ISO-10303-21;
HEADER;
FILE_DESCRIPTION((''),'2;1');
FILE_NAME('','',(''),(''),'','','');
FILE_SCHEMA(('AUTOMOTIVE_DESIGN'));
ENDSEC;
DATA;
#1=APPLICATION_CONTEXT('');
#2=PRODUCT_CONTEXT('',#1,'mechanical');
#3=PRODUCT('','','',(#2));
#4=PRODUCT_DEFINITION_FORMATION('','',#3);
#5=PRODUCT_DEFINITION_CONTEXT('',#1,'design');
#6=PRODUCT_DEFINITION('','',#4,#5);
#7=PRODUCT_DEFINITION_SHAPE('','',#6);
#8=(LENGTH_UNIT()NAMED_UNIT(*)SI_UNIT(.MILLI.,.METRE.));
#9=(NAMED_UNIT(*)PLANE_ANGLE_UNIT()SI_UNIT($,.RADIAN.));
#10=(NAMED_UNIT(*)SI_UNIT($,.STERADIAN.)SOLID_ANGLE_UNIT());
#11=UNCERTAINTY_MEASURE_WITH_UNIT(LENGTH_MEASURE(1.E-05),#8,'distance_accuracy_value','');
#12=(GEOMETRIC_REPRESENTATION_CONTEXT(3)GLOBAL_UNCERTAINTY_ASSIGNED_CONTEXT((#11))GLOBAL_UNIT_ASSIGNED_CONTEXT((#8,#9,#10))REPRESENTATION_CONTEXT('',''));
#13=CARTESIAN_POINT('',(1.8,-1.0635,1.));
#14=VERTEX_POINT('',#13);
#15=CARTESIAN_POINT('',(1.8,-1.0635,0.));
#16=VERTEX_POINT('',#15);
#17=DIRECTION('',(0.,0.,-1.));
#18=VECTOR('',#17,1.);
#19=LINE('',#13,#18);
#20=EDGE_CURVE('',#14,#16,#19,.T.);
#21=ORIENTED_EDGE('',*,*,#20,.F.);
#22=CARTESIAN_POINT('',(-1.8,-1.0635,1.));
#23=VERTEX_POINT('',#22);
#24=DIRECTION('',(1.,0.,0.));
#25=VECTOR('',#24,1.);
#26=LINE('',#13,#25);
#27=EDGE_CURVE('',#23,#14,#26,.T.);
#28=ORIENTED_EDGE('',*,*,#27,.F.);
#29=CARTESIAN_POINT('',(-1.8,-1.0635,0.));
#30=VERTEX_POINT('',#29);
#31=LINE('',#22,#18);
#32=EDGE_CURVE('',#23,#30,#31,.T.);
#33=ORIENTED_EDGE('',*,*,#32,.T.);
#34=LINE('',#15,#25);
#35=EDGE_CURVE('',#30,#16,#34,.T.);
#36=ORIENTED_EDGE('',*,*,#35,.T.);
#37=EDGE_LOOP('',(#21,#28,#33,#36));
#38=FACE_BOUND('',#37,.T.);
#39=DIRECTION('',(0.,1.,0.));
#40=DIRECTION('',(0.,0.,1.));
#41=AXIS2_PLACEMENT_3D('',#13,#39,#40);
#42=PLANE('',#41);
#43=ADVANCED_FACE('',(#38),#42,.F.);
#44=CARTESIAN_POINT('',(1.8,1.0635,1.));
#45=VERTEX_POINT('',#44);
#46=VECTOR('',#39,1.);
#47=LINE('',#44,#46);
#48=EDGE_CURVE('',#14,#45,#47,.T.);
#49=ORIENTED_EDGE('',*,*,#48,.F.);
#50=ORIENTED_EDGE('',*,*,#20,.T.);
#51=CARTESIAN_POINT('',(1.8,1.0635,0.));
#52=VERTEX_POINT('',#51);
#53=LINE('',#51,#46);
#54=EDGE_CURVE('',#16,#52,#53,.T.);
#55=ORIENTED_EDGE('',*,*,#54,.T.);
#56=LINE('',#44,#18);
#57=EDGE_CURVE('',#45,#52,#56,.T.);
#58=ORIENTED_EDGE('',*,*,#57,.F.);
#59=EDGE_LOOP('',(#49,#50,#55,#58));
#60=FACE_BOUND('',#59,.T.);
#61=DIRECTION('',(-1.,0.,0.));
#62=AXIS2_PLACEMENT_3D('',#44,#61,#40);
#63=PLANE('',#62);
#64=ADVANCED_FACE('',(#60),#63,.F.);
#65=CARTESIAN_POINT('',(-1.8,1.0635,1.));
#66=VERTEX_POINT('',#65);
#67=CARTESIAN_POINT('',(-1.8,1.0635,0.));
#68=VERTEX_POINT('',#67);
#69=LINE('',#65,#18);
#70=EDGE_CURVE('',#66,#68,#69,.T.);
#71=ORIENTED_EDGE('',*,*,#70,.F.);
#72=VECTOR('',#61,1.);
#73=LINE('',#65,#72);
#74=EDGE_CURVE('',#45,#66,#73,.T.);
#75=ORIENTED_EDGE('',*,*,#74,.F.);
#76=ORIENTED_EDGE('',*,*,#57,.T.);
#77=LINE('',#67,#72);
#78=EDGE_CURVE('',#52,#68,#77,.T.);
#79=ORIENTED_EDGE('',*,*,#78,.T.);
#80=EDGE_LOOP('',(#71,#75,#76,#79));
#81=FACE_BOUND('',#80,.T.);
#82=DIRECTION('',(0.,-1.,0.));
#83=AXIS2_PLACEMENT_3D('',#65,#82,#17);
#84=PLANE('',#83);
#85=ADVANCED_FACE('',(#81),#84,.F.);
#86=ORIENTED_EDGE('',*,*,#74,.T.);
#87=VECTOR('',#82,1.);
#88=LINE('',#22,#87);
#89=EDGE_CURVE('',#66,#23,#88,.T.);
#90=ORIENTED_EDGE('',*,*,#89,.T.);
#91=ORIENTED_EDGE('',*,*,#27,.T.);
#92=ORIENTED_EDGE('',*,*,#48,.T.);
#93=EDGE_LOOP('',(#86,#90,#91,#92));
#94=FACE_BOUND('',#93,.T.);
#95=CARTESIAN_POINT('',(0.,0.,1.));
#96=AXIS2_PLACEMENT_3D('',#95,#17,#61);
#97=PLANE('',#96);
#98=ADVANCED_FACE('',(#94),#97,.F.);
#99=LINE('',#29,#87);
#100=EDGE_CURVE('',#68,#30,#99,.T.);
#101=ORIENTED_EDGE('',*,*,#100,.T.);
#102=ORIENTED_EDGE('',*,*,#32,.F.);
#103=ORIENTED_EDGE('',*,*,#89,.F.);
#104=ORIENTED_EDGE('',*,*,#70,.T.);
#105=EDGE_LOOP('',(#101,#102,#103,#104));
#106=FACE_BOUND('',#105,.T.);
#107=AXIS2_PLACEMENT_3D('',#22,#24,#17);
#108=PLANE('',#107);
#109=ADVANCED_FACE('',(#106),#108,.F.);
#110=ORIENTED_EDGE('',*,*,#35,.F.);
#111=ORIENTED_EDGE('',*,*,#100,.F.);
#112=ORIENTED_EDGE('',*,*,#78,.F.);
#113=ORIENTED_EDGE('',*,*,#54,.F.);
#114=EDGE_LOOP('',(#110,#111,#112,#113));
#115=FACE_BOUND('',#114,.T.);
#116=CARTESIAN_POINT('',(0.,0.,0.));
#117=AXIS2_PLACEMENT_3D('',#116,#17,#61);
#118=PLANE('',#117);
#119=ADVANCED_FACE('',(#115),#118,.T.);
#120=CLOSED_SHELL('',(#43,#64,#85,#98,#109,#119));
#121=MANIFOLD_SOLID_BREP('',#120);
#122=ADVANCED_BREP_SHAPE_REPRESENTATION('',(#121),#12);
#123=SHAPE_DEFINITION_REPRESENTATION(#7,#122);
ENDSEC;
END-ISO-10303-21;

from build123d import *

# Parameters (mm, degrees)
SKETCH1_W               = 3.6
SKETCH1_H               = 2.127
COMPONENT_OUTLINE_DEPTH = 1


with BuildPart() as part:
    # Sketch1 → Component_Outline (new body)
    with BuildSketch(Plane.XY):
        Rectangle(SKETCH1_W, SKETCH1_H)
    extrude(amount=COMPONENT_OUTLINE_DEPTH)


solid = part.part
